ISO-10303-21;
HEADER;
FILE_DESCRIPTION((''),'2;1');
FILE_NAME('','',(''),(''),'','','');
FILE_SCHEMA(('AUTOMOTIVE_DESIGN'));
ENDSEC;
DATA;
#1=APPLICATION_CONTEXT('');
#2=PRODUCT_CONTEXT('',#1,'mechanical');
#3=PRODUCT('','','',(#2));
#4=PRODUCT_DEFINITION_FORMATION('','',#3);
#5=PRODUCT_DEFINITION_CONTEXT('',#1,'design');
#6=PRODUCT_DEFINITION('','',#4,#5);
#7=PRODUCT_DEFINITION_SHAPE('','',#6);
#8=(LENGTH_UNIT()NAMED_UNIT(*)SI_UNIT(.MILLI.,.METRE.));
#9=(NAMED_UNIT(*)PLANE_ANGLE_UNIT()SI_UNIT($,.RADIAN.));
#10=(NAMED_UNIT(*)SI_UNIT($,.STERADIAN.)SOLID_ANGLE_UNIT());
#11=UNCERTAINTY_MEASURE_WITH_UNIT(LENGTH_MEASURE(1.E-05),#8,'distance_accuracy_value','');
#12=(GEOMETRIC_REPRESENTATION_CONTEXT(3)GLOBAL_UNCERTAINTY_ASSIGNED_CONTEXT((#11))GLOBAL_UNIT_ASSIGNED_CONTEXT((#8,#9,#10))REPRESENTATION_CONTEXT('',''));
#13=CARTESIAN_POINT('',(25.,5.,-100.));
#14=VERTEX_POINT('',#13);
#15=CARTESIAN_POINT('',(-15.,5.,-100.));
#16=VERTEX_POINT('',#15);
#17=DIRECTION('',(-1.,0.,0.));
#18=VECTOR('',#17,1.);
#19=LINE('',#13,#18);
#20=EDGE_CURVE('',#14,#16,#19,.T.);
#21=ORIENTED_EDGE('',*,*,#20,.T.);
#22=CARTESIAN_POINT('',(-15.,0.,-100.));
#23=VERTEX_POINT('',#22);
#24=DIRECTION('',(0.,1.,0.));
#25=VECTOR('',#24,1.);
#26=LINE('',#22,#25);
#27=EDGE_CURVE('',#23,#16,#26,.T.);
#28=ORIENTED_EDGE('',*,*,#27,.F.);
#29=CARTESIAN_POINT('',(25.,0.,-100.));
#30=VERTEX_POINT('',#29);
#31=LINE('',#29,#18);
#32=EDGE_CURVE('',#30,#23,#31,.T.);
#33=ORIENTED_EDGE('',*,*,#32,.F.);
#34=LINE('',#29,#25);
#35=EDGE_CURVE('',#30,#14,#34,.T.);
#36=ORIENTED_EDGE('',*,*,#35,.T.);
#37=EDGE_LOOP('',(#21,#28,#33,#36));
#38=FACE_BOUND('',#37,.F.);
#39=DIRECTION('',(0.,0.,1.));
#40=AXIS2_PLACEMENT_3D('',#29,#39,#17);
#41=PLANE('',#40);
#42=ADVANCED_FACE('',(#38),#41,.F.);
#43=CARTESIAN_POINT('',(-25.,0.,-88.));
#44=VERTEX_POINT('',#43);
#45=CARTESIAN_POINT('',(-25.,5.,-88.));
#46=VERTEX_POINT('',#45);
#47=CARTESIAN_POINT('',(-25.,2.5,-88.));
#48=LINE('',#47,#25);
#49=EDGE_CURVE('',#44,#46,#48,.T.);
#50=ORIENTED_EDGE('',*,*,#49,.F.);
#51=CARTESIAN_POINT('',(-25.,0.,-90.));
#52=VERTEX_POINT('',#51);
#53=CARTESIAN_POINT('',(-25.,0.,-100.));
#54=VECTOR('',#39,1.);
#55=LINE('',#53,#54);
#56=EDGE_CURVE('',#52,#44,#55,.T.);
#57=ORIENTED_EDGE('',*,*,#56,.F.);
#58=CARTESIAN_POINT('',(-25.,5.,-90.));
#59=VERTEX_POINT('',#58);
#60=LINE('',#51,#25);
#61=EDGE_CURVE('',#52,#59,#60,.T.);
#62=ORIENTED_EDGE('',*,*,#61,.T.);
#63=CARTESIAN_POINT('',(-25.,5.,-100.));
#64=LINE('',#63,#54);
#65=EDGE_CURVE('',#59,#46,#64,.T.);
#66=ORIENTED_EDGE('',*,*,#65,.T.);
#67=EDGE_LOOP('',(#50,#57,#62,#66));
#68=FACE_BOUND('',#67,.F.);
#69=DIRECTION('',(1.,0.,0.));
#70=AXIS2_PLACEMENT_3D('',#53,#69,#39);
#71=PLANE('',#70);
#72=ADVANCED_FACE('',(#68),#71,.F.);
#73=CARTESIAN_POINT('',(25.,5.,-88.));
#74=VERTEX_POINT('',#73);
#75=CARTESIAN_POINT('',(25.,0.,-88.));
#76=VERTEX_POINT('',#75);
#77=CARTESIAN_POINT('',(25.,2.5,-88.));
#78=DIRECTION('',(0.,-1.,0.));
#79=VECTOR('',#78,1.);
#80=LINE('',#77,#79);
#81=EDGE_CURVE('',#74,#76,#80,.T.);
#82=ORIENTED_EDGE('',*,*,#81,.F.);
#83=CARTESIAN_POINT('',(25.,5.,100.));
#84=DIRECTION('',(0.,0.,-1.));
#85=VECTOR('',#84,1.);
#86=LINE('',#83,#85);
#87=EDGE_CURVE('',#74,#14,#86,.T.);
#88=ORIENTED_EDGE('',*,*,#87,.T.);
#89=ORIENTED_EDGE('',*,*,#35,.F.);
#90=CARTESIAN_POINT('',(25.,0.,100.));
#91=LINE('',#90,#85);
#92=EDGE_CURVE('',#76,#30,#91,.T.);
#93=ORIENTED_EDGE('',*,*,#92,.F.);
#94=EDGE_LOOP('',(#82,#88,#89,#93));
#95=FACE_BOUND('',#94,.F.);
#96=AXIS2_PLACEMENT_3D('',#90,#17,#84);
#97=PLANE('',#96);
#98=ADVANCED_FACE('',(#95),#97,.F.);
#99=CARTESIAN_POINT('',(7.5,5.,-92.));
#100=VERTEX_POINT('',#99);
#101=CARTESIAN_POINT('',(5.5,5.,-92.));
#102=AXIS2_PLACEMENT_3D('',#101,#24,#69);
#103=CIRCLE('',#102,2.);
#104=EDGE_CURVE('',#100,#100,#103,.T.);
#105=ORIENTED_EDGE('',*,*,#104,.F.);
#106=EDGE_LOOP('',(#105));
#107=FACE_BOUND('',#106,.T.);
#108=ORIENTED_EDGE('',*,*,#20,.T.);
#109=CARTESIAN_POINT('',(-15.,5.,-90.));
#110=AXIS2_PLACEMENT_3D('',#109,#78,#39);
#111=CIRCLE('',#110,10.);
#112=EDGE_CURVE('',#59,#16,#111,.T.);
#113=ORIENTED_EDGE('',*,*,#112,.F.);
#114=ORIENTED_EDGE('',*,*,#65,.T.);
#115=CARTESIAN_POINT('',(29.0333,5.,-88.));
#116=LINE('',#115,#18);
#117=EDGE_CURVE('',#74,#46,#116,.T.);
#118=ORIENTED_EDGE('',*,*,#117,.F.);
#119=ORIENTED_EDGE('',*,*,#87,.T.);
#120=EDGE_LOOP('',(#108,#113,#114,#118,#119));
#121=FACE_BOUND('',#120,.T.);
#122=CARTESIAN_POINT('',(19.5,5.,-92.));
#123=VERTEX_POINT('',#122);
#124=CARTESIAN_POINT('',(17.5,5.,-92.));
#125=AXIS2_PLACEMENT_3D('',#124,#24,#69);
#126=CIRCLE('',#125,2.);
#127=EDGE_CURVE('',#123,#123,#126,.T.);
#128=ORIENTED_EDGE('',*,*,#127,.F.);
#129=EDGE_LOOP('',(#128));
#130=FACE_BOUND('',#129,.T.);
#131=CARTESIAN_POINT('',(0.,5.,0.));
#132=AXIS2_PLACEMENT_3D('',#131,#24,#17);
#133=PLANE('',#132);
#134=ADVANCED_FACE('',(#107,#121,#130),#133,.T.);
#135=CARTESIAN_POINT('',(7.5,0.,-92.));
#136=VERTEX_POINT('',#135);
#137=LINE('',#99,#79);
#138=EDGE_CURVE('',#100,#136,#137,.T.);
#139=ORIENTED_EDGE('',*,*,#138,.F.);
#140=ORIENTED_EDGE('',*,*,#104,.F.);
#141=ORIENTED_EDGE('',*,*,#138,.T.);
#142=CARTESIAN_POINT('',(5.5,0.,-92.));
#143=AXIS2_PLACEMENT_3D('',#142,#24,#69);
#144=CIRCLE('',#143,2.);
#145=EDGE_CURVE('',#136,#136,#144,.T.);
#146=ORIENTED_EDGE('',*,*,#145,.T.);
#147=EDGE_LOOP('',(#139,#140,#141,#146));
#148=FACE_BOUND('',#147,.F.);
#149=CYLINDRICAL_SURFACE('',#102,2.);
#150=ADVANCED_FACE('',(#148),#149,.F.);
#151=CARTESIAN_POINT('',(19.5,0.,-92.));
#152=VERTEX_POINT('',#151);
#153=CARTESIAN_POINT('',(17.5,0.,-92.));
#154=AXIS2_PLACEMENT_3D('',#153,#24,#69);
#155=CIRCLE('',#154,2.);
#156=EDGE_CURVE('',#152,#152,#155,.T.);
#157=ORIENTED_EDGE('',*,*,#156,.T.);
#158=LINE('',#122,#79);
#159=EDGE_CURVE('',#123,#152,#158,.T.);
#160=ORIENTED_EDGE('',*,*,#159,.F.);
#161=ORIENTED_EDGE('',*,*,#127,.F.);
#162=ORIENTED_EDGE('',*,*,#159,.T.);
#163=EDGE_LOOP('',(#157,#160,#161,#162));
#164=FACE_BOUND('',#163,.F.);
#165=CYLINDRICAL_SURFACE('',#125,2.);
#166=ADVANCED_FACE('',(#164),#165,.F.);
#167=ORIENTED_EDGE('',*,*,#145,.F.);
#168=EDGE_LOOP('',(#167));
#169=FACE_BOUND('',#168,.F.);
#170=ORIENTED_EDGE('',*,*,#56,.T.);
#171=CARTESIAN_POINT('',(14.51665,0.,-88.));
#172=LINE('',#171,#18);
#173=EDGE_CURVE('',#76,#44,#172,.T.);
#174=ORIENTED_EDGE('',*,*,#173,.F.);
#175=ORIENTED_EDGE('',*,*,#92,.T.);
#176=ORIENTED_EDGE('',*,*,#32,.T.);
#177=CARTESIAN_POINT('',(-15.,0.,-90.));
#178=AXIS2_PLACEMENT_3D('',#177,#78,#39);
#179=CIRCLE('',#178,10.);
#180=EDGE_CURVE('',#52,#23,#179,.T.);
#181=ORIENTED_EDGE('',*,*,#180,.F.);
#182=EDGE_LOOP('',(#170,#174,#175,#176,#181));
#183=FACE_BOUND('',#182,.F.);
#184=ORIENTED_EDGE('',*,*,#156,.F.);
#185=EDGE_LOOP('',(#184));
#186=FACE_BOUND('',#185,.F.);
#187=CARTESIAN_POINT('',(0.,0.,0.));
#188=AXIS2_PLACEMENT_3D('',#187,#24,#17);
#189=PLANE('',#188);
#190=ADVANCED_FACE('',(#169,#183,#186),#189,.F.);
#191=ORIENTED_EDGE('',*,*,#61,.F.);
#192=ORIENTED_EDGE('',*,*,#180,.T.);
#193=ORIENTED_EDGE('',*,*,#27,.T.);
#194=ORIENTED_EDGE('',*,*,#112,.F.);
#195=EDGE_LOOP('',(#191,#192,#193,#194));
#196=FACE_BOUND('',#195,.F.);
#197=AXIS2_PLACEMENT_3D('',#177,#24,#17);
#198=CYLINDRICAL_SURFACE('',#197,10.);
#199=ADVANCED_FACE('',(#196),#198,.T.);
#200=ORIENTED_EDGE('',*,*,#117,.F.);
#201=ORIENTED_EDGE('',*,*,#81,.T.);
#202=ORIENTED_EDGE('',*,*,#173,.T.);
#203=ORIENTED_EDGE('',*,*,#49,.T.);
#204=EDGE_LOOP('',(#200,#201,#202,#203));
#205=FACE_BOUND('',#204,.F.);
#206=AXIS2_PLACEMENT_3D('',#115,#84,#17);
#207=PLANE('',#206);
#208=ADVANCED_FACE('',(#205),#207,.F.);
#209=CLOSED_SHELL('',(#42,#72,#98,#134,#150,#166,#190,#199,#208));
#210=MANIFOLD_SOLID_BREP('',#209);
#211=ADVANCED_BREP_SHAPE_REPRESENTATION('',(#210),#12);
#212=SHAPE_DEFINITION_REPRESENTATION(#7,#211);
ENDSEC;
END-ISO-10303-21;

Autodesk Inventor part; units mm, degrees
ref_plane "YZ Plane" through (0, 0, 0) normal (1, 0, 0) x (0, 1, 0)
ref_plane "XZ Plane" through (0, 0, 0) normal (0, 1, 0) x (-1, 0, 0)
ref_plane "XY Plane" through (0, 0, 0) normal (0, 0, 1) x (1, 0, 0)
sketch "Sketch1" plane through (0, 0, 0) normal (0, 1, 0) x (-1, 0, 0)
  line L0 (25, 100) -> (-25, 100)
  line L1 (-25, 100) -> (-25, -100)
  line L2 (-25, -100) -> (25, -100)
  line L3 (25, -100) -> (25, 100)
  line L4 (25, 100) -> (-25, -100) construction
  line L5 (-25, 100) -> (25, -100) construction
  point P0 (0, 0)
  dimension "d0" = 200
  dimension "d1" = 50
extrude "Extrusion1" add sketch "Sketch1" along normal blind 5
sketch "Sketch2" plane through (0, 5, 0) normal (0, 1, 0) x (1, 0, 0)
  line L0 (0, 0) -> (25, 0) construction
  line L1 (25, -100) -> (25, 100) projected
  line L2 (25, -92) -> (-15.0756, -92) construction
  circle A0 centre (17.5, -92) radius 2
  circle A1 centre (5.5, -92) radius 2
  line L3 (-25, -100) -> (25, -100) projected
  circle A2 centre (17.5, 92) radius 2
  circle A3 centre (5.5, 92) radius 2
  dimension "d4" = 4
  dimension "d5" = 4
  dimension "d6" = 12
  dimension "d7" = 8
  dimension "d10" = 7.5
extrude "Extrusion2" cut sketch "Sketch2" against normal blind 5
sketch "Sketch3" plane through (0, 5, 0) normal (0, 1, 0) x (1, 0, 0)
  line L0 (19, -85) -> (31, -85)
  line L1 (31, -85) -> (31, 85)
  line L2 (31, 85) -> (19, 85)
  line L3 (19, 85) -> (19, -85)
  line L4 (25, -100) -> (25, 100) projected
  line L5 (19, -85) -> (31, 85) construction
  line L6 (31, -85) -> (19, 85) construction
  point P0 (0, 0)
  point P1 (25, 0)
  dimension "d11" = 170
  dimension "d12" = 12
extrude "Extrusion3" add sketch "Sketch3" against normal blind 5
sketch "Sketch4" plane through (0, 5, 0) normal (0, 1, 0) x (1, 0, 0)
  line L0 (25, -100) -> (25, -85) projected
  line L1 (31, 85) -> (25, 85) projected
  circle A0 centre (26, -75) radius 2
  line L2 (25, -85) -> (31, -85) projected
  line L3 (31, -85) -> (31, 85) projected
  point P0 (0, 0)
  dimension "d15" = 4
  dimension "d16" = 10
  dimension "d17" = 5
extrude "Extrusion4" cut sketch "Sketch4" against normal blind 5
pattern_linear "Rectangular Pattern1" count 6 spacing 30 along (0, 0, -1) of "Extrusion4"
fillet "Fillet1" radius 10 2 edges at (-25, 2.5, -100) (-25, 2.5, 100)
sketch "Sketch5" plane through (0, 5, 0) normal (0, 1, 0) x (1, 0, 0)
  line L0 (29.0333, 88) -> (31, 85)
  line L1 (29.0333, 88) -> (-29, 88)
  line L2 (-29, 88) -> (-29, -105)
  line L3 (-29, -105) -> (31, -105)
  line L4 (31, -105) -> (31, 85)
  line L5 (25, 100) -> (-15, 100) projected
  point P0 (0, 0)
  point P1 (25, 85)
  dimension "d26" = 12
extrude "Extrusion5" cut sketch "Sketch5" against normal blind 10
properties part number "Comb3"
